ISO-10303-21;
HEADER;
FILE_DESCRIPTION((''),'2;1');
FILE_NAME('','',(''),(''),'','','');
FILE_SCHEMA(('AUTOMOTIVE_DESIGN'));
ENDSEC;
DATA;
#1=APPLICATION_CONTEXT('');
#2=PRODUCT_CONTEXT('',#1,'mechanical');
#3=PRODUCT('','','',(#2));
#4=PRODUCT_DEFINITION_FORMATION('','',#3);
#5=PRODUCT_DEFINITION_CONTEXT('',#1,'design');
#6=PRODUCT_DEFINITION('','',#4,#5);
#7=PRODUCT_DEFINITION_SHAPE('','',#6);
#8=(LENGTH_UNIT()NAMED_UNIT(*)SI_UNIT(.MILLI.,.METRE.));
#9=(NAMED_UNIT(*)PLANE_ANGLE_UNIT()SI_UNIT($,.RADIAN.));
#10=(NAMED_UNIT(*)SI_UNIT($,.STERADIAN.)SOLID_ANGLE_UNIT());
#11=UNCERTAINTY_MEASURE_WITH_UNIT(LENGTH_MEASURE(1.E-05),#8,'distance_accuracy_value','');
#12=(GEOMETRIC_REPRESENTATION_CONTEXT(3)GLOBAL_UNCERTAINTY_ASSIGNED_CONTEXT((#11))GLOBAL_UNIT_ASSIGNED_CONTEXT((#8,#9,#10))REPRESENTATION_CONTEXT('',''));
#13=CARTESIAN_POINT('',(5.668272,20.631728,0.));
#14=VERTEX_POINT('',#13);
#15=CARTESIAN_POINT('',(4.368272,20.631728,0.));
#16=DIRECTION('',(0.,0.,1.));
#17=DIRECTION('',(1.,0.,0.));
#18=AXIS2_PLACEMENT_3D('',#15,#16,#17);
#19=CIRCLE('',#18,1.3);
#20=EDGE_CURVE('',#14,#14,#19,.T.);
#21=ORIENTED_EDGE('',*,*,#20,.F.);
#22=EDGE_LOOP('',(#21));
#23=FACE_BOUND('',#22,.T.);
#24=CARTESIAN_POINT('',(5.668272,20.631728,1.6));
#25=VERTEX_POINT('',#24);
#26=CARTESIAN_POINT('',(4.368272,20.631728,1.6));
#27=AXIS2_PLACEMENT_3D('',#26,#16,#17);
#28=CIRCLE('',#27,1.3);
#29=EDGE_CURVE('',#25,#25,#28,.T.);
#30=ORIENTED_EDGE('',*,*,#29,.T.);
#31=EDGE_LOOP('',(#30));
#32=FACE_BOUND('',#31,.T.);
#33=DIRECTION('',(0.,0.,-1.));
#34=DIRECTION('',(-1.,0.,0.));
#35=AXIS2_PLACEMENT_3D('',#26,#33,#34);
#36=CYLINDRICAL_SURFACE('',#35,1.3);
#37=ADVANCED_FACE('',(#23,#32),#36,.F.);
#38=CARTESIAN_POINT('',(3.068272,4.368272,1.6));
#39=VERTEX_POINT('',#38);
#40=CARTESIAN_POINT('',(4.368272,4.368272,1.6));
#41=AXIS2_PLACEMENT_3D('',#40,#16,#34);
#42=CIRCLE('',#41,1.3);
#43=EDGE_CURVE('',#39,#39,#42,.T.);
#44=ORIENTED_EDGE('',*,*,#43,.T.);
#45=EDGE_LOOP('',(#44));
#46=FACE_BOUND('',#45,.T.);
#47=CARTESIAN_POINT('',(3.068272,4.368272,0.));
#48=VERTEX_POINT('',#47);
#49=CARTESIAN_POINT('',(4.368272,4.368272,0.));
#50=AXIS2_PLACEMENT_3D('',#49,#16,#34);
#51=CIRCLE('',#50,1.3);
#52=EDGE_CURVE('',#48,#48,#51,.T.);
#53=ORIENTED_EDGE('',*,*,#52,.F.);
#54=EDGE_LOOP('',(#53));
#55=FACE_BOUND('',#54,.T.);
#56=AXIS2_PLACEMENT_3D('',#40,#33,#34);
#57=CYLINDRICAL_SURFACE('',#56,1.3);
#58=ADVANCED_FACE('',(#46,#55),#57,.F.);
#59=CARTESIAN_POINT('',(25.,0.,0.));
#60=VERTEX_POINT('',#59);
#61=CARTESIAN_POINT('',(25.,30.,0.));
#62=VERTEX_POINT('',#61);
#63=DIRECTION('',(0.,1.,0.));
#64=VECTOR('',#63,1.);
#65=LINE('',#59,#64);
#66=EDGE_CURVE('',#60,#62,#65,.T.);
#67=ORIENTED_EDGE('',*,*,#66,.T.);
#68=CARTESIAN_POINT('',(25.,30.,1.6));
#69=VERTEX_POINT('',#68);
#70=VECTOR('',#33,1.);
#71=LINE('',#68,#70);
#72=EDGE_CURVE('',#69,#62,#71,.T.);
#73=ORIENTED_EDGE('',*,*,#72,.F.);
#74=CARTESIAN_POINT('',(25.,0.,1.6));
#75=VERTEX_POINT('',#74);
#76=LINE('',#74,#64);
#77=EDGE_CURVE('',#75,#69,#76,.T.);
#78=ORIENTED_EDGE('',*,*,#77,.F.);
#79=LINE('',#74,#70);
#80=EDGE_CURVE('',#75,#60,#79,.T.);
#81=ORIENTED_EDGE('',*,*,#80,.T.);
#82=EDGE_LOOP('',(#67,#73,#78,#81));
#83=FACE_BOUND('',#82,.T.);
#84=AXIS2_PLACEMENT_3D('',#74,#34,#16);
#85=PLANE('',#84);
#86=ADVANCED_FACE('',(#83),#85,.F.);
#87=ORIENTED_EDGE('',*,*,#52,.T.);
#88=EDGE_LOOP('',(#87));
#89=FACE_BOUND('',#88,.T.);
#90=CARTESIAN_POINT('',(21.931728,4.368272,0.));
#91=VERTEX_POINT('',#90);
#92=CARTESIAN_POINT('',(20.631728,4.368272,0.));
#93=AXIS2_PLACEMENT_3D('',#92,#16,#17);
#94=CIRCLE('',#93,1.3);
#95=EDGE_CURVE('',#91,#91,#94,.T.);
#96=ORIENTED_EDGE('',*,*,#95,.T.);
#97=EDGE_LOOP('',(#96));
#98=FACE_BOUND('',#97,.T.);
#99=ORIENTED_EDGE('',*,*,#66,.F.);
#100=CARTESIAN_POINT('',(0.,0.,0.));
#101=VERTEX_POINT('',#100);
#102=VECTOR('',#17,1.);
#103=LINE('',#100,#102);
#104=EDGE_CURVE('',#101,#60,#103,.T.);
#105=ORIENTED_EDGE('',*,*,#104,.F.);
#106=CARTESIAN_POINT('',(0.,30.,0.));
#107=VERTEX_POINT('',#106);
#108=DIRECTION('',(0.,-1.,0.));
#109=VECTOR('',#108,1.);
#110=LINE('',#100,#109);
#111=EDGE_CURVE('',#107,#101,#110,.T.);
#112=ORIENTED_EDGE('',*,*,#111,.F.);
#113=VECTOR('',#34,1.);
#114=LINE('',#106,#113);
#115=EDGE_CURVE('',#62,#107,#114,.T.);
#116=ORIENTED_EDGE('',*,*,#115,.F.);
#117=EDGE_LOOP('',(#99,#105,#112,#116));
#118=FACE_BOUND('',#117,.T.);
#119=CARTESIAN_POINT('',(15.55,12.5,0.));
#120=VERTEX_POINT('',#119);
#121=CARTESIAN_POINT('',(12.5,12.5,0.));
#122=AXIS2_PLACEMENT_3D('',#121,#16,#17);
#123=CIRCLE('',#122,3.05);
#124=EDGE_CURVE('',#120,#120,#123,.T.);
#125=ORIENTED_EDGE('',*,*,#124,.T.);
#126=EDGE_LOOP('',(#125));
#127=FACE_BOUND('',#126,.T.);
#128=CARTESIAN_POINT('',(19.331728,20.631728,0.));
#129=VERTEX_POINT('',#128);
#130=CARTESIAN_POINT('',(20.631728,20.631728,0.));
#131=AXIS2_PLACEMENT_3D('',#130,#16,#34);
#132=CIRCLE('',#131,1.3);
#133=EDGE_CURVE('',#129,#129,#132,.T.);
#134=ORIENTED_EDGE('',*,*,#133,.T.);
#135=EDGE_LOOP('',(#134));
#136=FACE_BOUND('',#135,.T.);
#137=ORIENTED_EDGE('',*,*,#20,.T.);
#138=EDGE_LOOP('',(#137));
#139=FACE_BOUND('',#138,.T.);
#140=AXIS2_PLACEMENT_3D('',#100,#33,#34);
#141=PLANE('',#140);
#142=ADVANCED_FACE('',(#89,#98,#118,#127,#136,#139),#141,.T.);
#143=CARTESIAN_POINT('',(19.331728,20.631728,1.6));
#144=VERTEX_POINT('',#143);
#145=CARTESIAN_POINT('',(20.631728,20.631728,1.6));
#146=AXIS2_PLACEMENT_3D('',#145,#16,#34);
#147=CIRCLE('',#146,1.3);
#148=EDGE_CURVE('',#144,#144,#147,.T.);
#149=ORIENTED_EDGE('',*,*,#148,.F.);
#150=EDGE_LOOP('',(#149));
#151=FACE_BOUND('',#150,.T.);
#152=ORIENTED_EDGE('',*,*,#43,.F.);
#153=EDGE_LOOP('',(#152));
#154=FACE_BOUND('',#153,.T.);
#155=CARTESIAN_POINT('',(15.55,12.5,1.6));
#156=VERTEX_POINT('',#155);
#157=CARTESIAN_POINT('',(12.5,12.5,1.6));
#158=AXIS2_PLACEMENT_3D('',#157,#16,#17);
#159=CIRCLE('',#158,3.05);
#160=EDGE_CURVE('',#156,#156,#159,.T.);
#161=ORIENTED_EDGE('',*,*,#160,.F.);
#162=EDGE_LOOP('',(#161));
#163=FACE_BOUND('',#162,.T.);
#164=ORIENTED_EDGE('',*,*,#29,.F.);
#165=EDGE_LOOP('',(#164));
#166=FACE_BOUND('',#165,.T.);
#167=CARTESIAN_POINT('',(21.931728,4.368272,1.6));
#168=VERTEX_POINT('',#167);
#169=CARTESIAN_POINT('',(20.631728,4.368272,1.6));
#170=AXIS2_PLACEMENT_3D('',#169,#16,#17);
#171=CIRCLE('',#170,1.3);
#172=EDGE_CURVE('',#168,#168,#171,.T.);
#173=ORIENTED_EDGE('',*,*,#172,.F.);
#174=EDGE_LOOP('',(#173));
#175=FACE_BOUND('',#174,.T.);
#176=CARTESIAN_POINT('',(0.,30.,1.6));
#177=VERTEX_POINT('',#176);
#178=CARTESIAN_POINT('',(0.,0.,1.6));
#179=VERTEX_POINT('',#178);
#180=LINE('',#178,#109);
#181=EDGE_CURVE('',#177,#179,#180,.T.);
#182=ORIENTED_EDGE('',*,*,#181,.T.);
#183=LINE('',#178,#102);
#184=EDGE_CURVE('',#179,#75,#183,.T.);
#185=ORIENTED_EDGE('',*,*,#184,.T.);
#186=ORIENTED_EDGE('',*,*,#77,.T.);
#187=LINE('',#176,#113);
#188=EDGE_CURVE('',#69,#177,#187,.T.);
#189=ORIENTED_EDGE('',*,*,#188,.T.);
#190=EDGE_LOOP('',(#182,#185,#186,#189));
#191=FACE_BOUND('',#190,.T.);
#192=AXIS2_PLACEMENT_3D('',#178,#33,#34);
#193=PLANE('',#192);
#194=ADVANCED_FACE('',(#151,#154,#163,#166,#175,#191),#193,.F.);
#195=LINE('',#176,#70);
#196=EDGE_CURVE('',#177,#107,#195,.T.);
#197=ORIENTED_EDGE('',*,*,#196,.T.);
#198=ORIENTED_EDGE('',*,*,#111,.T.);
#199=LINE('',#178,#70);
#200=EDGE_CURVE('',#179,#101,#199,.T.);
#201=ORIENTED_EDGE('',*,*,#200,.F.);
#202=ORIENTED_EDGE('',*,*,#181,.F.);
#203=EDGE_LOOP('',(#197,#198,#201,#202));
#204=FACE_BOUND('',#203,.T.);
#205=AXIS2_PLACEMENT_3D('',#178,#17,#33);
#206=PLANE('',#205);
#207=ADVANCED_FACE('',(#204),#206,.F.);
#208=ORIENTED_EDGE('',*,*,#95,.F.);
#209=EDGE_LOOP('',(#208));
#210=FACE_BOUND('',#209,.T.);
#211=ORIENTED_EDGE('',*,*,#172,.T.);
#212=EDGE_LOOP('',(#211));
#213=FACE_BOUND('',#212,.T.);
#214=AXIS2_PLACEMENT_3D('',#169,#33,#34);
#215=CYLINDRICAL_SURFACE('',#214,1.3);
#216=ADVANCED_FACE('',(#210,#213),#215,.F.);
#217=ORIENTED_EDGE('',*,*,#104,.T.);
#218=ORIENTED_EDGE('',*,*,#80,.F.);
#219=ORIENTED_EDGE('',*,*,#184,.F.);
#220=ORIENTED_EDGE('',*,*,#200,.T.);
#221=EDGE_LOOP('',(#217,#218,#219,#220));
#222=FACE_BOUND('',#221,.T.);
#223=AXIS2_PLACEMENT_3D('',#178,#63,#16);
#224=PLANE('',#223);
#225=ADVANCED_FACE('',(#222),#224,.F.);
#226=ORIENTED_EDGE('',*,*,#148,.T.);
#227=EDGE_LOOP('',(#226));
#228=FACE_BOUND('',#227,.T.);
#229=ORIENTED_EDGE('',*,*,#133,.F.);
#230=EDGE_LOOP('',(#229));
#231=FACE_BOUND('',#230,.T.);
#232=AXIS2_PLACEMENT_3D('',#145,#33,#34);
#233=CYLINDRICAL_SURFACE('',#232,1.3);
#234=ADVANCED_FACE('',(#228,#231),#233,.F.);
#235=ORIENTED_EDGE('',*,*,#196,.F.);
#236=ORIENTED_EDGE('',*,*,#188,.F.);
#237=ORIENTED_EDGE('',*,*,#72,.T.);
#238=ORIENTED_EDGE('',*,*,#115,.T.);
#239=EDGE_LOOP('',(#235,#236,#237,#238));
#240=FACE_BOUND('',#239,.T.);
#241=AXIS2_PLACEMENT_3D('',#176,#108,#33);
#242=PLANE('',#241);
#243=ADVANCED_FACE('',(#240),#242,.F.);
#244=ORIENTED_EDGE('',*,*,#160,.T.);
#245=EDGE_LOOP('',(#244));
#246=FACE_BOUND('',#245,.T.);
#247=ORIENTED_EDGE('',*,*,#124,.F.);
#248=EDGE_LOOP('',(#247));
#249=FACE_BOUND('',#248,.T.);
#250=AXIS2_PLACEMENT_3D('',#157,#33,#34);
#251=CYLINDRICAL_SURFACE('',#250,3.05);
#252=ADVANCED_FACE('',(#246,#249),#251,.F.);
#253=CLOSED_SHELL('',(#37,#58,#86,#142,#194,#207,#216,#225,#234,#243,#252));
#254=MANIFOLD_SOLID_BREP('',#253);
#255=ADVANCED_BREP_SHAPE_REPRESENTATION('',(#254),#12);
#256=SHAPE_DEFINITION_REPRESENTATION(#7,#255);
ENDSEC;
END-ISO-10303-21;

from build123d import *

# Parameters (mm, degrees)
SKETCH_1_W      = 25
SKETCH_1_H      = 30
SKETCH_1_R      = 1.3
SKETCH_1_R_2    = 3.05
EXTRUDE_1_DEPTH = 1.6


with BuildPart() as part:
    # 草图1 → 凸台-拉伸1 (new body)
    with BuildSketch(Plane.XY):
        with Locations((12.5, 15)):
            Rectangle(SKETCH_1_W, SKETCH_1_H)
        with Locations((4.368272016, 20.631727984)):
            Circle(SKETCH_1_R, mode=Mode.SUBTRACT)
        with Locations(Location((20.631727984, 20.631727984, 0), (0, 0, 180))):
            Circle(SKETCH_1_R, mode=Mode.SUBTRACT)
        with Locations((20.631727984, 4.368272016)):
            Circle(SKETCH_1_R, mode=Mode.SUBTRACT)
        with Locations(Location((4.368272016, 4.368272016, 0), (0, 0, 180))):
            Circle(SKETCH_1_R, mode=Mode.SUBTRACT)
        with Locations((12.5, 12.5)):
            Circle(SKETCH_1_R_2, mode=Mode.SUBTRACT)
    extrude(amount=EXTRUDE_1_DEPTH)


solid = part.part
